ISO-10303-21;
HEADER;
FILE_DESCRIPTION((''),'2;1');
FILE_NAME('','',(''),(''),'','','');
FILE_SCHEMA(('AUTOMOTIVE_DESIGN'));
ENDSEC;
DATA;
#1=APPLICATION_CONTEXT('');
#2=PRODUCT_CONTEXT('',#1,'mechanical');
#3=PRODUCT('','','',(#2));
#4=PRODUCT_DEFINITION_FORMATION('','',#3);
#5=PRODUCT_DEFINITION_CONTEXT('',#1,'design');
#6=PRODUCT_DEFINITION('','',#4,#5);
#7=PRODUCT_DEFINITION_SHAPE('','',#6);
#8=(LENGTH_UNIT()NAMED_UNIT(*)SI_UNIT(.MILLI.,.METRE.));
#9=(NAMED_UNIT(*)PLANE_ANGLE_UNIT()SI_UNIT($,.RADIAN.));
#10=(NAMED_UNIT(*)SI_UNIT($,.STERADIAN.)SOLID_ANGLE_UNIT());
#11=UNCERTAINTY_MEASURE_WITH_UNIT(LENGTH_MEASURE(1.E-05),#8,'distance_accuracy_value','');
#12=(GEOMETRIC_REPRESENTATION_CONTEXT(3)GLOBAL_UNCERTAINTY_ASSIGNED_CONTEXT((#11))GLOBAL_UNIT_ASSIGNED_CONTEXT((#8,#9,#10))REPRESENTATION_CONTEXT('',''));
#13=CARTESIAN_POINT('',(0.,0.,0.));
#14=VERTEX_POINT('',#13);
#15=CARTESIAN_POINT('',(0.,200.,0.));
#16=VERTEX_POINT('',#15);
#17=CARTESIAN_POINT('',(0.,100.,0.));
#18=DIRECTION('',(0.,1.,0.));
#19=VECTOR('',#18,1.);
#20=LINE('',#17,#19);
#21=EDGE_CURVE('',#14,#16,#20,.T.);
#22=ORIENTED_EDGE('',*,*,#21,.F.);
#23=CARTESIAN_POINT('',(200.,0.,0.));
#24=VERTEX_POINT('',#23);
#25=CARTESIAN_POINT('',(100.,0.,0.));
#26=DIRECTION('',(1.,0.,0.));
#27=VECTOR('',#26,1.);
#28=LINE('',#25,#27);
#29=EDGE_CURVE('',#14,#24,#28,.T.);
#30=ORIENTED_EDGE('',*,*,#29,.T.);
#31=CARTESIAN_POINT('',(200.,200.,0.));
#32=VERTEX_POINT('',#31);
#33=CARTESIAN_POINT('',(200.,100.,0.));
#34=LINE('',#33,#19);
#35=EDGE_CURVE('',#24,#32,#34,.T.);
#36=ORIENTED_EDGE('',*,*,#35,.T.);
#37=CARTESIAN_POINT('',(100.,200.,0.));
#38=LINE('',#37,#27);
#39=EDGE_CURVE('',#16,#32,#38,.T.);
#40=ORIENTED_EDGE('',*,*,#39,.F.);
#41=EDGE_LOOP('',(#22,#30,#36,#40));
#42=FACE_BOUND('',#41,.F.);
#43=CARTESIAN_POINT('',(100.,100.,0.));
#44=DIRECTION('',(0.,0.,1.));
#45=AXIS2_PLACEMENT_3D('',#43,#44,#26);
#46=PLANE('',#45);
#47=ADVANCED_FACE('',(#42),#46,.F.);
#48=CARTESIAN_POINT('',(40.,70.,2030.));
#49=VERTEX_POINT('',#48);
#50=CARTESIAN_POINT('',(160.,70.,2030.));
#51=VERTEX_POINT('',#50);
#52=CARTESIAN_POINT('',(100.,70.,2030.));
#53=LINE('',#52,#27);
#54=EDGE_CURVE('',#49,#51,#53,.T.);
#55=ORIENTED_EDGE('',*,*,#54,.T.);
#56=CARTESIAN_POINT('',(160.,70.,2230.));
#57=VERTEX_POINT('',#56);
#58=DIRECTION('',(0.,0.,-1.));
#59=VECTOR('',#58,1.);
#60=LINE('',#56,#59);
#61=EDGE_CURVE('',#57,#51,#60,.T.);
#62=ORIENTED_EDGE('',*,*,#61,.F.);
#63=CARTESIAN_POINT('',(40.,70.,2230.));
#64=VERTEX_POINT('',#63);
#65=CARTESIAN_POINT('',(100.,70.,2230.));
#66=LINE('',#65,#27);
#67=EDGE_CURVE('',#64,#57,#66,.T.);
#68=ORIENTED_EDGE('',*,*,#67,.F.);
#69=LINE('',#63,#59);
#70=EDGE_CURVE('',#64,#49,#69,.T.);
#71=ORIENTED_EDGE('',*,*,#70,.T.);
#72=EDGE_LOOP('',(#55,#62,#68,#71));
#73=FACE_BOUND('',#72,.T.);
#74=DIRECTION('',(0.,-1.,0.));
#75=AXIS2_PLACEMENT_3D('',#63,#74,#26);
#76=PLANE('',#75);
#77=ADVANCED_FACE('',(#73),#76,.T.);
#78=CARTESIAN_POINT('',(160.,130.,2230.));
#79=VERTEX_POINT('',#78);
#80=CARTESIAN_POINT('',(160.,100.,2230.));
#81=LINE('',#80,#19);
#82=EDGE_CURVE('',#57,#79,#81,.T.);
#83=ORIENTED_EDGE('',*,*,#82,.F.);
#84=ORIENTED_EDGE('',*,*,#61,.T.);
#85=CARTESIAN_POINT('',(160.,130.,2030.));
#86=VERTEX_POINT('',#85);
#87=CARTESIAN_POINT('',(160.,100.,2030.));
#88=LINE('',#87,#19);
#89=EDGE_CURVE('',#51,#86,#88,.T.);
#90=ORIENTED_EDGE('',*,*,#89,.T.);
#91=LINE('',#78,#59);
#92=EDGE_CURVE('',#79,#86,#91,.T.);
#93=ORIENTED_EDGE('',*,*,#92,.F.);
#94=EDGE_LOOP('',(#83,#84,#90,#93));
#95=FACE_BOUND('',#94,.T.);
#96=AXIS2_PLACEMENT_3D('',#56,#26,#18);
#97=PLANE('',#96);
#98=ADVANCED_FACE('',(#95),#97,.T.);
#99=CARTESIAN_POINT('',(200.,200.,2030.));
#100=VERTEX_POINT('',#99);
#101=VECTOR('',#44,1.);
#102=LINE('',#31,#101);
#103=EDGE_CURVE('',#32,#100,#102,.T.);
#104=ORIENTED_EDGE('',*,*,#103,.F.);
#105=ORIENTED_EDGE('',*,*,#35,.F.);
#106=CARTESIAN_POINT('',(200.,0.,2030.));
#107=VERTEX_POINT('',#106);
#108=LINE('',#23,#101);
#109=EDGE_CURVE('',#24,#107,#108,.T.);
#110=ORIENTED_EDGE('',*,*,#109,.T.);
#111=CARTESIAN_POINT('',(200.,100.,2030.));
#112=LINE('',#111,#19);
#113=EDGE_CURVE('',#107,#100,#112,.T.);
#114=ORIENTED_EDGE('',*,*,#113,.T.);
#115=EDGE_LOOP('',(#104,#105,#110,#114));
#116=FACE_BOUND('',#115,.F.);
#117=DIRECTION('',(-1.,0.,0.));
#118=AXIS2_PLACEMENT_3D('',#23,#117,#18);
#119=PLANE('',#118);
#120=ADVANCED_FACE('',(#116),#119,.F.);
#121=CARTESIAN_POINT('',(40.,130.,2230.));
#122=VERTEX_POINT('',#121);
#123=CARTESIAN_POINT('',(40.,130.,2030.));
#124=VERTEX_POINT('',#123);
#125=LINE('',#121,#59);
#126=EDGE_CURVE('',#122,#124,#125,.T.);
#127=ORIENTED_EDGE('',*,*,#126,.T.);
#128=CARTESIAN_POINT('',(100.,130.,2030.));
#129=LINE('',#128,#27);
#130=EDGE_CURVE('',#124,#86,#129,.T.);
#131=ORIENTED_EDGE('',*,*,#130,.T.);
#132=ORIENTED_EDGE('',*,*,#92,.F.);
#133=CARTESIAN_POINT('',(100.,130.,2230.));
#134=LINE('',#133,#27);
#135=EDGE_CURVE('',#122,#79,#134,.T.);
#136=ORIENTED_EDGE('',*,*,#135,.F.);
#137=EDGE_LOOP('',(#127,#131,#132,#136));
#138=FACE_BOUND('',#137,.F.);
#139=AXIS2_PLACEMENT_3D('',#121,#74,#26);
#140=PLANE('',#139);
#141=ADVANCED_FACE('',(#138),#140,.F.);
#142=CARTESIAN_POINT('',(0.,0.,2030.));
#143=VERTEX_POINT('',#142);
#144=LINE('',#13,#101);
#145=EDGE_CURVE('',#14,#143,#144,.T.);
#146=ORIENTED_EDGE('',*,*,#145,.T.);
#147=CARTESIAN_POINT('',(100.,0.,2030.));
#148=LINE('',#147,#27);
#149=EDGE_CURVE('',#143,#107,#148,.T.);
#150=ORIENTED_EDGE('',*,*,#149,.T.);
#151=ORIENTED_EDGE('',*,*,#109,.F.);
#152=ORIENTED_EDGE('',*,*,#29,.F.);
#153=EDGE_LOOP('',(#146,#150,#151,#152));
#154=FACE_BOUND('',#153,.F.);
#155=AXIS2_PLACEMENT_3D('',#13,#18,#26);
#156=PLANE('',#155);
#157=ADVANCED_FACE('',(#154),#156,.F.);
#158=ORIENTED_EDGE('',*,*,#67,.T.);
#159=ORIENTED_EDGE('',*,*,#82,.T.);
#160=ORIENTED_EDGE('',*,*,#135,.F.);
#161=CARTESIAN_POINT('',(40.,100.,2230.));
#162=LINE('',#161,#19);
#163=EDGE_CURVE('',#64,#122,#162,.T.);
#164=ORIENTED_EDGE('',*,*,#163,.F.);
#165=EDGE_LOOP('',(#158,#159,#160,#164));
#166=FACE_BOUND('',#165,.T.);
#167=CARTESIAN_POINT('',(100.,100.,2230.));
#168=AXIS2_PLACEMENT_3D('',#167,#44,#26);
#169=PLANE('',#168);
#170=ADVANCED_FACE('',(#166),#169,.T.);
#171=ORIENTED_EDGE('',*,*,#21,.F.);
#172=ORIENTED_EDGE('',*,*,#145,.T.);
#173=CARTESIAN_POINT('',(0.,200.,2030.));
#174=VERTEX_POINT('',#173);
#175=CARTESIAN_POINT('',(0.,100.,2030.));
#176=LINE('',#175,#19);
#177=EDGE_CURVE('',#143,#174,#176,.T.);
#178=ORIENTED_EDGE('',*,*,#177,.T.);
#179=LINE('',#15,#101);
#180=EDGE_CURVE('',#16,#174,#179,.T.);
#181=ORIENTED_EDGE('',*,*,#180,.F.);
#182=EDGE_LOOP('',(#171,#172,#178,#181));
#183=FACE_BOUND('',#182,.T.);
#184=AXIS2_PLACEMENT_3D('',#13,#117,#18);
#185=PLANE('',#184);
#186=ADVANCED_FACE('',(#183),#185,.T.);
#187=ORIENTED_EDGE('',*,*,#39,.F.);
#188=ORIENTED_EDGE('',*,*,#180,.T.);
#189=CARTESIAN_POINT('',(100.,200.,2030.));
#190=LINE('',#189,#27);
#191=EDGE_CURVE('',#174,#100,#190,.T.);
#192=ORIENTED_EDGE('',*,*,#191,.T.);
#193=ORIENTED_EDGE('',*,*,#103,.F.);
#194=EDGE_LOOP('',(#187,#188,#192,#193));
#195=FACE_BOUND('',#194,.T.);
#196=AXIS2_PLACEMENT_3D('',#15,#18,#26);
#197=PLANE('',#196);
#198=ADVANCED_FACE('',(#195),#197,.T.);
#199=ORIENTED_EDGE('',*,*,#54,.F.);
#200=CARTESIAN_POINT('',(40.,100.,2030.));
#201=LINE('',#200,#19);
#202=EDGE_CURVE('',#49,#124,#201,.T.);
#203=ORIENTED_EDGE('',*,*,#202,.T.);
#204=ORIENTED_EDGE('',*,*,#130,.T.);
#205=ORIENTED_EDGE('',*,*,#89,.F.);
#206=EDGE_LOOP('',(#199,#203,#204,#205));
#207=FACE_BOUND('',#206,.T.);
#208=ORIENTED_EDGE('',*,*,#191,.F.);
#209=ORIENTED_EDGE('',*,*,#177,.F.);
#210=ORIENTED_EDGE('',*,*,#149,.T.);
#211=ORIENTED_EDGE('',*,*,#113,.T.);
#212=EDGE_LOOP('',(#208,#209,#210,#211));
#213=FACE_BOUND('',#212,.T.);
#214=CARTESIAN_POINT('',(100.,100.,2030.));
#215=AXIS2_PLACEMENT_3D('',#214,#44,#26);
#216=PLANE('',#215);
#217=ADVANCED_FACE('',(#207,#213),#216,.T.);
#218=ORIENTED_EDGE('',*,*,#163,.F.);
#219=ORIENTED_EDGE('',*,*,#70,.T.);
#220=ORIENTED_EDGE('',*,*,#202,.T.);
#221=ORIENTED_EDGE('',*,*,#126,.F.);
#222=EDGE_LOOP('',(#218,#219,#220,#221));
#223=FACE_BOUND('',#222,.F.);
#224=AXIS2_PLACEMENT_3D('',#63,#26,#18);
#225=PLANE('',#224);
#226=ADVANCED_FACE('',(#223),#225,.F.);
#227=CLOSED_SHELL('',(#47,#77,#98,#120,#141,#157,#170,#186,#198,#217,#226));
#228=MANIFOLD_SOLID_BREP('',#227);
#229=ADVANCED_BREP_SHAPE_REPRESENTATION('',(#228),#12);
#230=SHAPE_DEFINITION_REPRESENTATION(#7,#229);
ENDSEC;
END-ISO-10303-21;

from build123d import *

# Parameters (mm, degrees)
F0_W     = 200
F0_H     = 200
F1_DEPTH = 2230
F2_W     = 200
F2_H     = 200
F2_W_2   = 120
F2_H_2   = 60
F3_DEPTH = 200


with BuildPart() as f1:
    # F0 (on Top) → F1 (new body)
    with BuildSketch(Plane.XY):
        with Locations((100, 100)):
            Rectangle(F0_W, F0_H)
    extrude(amount=F1_DEPTH)

    # F2 (on face) → F3 (cut)
    with BuildSketch(Plane.XY.offset(2230)):
        with Locations((100, 100)):
            Rectangle(F2_W, F2_H)
        with Locations((100, 100)):
            Rectangle(F2_W_2, F2_H_2, mode=Mode.SUBTRACT)
    extrude(amount=-F3_DEPTH, mode=Mode.SUBTRACT)


solid = f1.part
